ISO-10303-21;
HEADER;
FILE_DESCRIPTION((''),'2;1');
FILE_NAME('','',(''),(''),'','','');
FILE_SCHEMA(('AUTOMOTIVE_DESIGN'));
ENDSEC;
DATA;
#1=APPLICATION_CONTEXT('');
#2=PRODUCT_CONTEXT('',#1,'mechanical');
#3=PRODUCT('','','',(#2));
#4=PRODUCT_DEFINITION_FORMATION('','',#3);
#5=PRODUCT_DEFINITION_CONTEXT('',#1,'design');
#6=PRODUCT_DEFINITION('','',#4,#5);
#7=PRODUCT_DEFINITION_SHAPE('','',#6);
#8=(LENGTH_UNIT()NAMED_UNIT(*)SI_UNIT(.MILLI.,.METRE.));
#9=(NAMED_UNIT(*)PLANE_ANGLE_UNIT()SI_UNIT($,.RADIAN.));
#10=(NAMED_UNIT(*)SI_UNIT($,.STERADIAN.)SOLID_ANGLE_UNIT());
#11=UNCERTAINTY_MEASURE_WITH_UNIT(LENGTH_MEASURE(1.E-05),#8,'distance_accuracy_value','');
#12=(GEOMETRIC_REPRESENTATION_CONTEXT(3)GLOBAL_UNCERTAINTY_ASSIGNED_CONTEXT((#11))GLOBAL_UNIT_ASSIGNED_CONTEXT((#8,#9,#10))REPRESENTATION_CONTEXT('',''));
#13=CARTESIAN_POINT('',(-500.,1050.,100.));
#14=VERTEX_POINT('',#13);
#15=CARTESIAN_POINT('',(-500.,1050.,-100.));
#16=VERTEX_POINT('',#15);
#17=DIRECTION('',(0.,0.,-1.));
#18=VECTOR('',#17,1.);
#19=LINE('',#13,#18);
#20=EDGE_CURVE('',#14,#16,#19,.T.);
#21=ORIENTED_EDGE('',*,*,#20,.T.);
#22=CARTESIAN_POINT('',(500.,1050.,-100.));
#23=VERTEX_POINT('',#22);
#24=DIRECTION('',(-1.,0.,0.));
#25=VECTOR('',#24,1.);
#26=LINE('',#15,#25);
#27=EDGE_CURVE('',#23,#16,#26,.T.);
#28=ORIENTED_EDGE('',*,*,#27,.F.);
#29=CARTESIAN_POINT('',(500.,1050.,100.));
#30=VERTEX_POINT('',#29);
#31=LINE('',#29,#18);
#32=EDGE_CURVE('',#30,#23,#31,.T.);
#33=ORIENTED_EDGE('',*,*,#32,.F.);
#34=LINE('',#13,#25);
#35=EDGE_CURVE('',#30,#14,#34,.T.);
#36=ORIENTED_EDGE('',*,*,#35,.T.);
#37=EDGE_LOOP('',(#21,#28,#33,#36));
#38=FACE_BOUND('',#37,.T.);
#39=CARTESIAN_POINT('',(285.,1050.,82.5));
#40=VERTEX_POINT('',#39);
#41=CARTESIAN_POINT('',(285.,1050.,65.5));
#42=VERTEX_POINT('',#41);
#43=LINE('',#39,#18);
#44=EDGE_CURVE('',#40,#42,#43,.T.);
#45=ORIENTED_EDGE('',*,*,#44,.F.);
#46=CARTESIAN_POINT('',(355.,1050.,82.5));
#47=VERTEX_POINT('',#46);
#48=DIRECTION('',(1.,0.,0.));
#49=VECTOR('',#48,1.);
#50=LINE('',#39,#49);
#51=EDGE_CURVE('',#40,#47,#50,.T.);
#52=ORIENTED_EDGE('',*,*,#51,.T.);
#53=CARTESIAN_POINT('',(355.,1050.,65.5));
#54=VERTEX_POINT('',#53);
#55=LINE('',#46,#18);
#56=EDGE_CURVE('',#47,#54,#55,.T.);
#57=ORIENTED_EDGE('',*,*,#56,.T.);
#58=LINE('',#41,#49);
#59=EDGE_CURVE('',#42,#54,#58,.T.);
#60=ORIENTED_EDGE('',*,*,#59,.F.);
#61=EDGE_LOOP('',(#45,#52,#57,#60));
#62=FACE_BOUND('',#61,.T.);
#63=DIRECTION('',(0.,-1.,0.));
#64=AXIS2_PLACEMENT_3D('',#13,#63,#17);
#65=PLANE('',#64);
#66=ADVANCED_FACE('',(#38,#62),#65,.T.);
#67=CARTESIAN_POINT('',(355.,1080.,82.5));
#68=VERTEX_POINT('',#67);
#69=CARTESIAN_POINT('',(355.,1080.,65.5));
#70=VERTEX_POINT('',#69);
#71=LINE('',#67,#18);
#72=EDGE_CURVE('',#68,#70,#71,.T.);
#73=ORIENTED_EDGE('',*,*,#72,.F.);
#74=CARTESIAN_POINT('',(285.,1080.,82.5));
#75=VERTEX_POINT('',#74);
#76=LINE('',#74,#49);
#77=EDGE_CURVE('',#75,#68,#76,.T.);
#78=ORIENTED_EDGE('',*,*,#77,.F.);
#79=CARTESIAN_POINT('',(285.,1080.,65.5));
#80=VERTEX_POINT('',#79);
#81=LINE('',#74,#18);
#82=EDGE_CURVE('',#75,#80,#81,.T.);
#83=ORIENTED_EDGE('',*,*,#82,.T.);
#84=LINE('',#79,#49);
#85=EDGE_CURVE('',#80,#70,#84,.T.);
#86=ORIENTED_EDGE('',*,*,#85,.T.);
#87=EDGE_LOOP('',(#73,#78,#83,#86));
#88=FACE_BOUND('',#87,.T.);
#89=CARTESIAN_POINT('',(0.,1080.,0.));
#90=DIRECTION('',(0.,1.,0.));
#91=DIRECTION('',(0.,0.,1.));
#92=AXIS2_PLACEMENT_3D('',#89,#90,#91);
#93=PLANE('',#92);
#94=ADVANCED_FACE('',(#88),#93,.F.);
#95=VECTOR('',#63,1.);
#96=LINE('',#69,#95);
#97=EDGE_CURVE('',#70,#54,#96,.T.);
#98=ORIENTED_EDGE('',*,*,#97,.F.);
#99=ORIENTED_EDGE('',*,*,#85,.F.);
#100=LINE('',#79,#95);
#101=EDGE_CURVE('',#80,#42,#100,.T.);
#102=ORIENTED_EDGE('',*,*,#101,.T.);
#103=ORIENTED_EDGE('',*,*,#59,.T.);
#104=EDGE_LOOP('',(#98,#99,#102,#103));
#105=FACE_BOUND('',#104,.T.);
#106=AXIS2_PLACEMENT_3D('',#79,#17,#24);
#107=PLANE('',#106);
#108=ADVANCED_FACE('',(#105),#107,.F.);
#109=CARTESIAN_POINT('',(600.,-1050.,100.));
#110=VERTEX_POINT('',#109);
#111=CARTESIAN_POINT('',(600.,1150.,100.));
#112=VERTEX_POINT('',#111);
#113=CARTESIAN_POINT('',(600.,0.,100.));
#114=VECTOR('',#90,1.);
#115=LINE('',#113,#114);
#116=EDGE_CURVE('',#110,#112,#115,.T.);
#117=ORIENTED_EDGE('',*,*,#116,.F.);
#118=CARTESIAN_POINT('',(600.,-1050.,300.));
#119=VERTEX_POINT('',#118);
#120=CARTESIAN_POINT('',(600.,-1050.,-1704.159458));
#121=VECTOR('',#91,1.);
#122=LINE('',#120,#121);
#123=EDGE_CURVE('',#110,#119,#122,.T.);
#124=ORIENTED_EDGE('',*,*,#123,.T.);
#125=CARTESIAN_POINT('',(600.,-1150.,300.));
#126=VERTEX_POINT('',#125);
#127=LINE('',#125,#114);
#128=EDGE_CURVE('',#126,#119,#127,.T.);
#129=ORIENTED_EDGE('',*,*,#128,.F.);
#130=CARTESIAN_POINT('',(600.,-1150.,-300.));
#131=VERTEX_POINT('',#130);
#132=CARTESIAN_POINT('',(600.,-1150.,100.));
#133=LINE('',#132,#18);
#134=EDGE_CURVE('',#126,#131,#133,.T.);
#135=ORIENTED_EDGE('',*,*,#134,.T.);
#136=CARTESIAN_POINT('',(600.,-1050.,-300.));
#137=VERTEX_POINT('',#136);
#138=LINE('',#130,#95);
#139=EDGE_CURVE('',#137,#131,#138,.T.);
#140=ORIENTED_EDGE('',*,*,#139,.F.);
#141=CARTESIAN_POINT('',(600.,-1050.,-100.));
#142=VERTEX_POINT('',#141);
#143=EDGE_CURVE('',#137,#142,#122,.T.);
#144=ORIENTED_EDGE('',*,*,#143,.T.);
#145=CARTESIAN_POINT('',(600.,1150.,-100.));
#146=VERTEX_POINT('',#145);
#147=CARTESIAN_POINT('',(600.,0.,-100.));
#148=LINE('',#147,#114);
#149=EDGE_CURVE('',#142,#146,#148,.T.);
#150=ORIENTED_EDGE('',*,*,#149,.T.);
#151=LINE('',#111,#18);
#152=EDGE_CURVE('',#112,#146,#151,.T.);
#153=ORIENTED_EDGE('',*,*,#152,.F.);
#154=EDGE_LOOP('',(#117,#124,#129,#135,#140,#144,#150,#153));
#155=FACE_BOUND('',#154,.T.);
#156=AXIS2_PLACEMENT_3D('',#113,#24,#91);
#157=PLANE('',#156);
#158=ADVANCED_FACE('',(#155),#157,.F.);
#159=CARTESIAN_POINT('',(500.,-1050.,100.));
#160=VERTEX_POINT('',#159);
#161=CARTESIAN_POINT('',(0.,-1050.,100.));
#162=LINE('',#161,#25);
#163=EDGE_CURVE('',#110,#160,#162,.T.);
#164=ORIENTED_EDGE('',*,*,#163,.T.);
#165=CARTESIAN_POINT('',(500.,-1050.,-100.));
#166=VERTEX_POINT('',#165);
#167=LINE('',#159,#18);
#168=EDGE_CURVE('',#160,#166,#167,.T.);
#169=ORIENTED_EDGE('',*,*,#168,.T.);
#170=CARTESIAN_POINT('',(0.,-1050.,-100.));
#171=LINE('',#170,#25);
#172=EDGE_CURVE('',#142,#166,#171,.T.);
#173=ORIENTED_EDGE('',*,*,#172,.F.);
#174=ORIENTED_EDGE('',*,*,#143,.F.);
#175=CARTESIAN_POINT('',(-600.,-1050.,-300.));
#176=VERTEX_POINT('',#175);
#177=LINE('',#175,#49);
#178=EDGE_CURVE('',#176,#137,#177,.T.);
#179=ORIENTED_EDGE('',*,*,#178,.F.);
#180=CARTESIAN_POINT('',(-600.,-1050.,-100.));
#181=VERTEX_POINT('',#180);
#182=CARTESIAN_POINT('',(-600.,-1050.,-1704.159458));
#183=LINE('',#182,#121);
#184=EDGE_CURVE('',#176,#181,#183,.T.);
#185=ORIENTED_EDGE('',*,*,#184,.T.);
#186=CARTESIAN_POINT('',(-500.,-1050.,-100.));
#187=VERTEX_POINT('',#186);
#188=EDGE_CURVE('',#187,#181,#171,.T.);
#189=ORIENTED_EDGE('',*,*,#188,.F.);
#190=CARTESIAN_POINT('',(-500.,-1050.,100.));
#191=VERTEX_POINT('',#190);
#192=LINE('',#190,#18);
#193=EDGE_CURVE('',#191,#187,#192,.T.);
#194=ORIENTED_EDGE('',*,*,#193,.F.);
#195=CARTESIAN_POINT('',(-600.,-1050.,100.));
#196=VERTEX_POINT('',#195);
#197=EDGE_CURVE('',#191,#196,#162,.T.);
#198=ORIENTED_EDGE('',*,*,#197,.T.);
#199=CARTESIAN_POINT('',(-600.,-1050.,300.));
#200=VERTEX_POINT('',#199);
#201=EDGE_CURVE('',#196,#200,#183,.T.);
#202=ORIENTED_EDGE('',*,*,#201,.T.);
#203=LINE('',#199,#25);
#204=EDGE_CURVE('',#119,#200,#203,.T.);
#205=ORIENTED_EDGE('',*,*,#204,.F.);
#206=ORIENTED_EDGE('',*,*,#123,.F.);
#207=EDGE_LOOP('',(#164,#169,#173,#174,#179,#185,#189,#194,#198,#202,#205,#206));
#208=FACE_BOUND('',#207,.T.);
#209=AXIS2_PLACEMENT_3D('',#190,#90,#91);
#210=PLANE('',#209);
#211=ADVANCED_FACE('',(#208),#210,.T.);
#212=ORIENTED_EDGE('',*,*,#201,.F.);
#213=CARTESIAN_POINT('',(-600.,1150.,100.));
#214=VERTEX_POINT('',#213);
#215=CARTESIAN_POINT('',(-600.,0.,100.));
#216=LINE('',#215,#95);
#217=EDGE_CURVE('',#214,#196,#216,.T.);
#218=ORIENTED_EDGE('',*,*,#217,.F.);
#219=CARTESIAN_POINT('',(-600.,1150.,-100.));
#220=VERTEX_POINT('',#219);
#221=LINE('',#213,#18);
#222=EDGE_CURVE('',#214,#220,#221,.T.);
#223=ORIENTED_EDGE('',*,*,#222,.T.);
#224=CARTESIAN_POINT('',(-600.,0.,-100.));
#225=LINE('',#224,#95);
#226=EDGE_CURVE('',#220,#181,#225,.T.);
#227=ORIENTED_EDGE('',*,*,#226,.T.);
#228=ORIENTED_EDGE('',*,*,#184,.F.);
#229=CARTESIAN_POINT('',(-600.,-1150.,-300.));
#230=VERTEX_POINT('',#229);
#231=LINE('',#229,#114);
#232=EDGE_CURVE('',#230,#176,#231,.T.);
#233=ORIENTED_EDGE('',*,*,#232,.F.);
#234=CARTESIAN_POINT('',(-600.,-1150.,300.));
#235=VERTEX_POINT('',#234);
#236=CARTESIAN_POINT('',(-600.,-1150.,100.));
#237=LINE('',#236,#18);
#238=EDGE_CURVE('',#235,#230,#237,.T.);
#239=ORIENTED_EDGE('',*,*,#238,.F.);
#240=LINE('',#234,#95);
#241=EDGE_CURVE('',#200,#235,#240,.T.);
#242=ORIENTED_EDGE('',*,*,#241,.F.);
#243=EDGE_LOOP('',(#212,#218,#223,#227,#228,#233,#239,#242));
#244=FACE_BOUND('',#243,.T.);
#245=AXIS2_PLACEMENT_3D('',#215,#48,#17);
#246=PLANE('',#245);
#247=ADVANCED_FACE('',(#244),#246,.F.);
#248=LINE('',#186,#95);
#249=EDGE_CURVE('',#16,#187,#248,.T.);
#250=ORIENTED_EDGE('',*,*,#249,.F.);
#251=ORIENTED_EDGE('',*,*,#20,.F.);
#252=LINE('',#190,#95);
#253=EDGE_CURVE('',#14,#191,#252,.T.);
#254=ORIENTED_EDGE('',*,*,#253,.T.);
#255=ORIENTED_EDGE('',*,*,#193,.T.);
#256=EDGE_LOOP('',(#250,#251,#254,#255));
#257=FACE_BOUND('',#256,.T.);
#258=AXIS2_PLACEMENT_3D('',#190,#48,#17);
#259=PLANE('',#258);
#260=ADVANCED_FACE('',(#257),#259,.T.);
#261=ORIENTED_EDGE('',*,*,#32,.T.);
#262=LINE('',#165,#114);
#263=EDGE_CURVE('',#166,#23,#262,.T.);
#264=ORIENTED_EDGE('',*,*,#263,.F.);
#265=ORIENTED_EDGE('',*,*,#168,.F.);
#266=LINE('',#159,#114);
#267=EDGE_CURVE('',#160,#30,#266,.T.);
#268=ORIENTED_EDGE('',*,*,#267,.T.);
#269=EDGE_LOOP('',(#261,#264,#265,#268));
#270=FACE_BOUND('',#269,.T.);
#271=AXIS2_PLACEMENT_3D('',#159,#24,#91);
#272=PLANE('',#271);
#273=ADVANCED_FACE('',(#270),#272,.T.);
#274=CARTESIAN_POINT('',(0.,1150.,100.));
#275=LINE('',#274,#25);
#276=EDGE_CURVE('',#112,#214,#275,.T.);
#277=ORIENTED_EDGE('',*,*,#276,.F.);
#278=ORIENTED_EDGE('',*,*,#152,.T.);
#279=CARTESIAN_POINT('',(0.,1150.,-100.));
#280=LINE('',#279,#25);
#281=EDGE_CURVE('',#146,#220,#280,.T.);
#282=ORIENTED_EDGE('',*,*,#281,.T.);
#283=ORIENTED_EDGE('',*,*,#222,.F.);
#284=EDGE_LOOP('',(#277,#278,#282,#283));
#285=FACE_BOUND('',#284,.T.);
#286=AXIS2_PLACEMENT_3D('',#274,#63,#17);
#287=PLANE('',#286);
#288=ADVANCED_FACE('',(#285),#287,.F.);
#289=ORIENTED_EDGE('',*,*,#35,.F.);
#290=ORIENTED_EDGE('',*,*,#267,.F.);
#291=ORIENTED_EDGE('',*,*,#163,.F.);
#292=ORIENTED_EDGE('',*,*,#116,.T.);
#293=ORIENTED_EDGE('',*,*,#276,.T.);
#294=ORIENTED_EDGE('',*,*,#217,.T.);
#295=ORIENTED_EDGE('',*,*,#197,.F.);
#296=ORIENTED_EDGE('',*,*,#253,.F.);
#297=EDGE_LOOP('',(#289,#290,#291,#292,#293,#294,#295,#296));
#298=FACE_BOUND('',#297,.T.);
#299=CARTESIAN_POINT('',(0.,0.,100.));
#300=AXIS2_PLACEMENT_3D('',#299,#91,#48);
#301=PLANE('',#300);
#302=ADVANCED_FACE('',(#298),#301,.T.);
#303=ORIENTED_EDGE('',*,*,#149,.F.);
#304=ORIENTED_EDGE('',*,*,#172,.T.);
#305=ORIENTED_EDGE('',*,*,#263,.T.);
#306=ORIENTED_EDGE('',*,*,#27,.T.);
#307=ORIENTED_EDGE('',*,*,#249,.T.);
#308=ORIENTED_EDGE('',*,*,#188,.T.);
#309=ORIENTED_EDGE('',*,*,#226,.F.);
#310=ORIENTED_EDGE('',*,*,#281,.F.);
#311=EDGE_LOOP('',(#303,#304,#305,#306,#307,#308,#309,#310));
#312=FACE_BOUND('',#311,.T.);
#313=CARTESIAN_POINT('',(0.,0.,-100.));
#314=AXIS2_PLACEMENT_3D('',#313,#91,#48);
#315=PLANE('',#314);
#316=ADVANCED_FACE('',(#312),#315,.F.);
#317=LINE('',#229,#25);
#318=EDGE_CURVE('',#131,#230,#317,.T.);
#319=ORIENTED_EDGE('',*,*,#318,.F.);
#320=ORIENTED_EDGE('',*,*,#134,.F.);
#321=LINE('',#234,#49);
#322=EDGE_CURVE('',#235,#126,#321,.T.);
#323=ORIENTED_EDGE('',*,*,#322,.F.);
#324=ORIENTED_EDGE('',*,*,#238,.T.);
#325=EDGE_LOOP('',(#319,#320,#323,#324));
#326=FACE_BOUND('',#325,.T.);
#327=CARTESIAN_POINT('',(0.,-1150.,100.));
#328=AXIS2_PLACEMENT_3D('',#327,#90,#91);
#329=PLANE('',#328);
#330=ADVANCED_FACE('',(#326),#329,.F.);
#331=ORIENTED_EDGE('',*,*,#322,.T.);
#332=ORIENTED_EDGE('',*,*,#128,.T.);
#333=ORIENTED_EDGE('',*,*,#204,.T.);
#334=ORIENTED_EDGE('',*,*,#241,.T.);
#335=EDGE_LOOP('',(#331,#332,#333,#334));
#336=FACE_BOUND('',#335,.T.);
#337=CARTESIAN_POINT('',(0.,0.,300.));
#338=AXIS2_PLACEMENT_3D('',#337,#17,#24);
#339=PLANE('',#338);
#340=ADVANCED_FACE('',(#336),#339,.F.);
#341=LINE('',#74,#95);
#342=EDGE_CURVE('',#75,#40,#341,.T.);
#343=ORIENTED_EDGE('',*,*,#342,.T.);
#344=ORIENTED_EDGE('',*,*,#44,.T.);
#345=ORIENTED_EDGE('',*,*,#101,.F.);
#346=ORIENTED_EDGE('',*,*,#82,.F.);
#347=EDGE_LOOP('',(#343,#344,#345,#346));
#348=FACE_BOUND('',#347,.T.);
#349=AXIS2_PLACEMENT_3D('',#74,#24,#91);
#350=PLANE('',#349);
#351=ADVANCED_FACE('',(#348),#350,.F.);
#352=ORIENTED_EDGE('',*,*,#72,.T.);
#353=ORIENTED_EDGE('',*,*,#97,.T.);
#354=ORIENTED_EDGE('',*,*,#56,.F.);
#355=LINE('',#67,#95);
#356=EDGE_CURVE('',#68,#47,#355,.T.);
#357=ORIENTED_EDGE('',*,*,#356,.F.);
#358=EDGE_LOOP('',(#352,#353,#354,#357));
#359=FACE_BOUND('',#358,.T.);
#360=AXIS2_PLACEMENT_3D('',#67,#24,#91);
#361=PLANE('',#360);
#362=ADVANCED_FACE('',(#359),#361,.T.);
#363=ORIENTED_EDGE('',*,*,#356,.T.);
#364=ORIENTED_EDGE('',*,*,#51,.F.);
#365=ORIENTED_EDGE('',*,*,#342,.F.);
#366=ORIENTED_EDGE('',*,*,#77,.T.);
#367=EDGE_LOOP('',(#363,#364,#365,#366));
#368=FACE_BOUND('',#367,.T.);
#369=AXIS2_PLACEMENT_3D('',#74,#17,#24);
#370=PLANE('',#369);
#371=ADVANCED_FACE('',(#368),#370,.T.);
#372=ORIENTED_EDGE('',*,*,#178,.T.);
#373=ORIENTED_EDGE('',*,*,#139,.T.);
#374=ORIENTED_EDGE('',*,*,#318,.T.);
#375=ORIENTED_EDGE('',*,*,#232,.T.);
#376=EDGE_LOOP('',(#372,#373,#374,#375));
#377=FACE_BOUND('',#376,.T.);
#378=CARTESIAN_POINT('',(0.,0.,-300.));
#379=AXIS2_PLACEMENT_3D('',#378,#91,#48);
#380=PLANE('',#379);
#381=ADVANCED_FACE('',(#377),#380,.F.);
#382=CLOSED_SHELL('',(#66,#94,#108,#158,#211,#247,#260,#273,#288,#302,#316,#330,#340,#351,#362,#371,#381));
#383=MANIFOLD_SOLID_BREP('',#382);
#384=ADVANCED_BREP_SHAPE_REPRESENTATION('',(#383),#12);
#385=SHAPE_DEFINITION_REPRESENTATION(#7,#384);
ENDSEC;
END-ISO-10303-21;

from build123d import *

# Parameters (mm, degrees)
ESBO_O1_W                     = 1200
ESBO_O1_H                     = 2300
ESBO_O1_W_2                   = 1000
ESBO_O1_H_2                   = 2100
EXTRUS_O_FINA1_DEPTH          = 100
RESSALTO_EXTRUS_O1_DEPTH      = 200
RESSALTO_EXTRUS_O1_DEPTH_BACK = 400
ESBO_O2_W                     = 1200
ESBO_O2_H                     = 100
ESBO_O3_W                     = 70
ESBO_O3_H                     = 17
CORTE_EXTRUS_O1_DEPTH         = 30


with BuildPart() as part:
    # Esboço1 → Extrusão-Fina1 (new, symmetric)
    with BuildSketch(Plane.XY):
        Rectangle(ESBO_O1_W, ESBO_O1_H)
        Rectangle(ESBO_O1_W_2, ESBO_O1_H_2, mode=Mode.SUBTRACT)
    extrude(amount=EXTRUS_O_FINA1_DEPTH, both=True)

    # Esboço2 → Ressalto-extrusão1 (add, two sides: drawn at the far end of the back side and taken through both)
    with BuildSketch(Plane.XY.offset(100).offset(-RESSALTO_EXTRUS_O1_DEPTH_BACK)):
        with Locations((0, -1100)):
            Rectangle(ESBO_O2_W, ESBO_O2_H)
    extrude(amount=RESSALTO_EXTRUS_O1_DEPTH + RESSALTO_EXTRUS_O1_DEPTH_BACK)

    # Esboço3 → Corte-extrusão1 (cut)
    with BuildSketch(Plane.XZ.offset(-1050)):
        with Locations((320, 74)):
            Rectangle(ESBO_O3_W, ESBO_O3_H)
    extrude(amount=-CORTE_EXTRUS_O1_DEPTH, mode=Mode.SUBTRACT)


solid = part.part
